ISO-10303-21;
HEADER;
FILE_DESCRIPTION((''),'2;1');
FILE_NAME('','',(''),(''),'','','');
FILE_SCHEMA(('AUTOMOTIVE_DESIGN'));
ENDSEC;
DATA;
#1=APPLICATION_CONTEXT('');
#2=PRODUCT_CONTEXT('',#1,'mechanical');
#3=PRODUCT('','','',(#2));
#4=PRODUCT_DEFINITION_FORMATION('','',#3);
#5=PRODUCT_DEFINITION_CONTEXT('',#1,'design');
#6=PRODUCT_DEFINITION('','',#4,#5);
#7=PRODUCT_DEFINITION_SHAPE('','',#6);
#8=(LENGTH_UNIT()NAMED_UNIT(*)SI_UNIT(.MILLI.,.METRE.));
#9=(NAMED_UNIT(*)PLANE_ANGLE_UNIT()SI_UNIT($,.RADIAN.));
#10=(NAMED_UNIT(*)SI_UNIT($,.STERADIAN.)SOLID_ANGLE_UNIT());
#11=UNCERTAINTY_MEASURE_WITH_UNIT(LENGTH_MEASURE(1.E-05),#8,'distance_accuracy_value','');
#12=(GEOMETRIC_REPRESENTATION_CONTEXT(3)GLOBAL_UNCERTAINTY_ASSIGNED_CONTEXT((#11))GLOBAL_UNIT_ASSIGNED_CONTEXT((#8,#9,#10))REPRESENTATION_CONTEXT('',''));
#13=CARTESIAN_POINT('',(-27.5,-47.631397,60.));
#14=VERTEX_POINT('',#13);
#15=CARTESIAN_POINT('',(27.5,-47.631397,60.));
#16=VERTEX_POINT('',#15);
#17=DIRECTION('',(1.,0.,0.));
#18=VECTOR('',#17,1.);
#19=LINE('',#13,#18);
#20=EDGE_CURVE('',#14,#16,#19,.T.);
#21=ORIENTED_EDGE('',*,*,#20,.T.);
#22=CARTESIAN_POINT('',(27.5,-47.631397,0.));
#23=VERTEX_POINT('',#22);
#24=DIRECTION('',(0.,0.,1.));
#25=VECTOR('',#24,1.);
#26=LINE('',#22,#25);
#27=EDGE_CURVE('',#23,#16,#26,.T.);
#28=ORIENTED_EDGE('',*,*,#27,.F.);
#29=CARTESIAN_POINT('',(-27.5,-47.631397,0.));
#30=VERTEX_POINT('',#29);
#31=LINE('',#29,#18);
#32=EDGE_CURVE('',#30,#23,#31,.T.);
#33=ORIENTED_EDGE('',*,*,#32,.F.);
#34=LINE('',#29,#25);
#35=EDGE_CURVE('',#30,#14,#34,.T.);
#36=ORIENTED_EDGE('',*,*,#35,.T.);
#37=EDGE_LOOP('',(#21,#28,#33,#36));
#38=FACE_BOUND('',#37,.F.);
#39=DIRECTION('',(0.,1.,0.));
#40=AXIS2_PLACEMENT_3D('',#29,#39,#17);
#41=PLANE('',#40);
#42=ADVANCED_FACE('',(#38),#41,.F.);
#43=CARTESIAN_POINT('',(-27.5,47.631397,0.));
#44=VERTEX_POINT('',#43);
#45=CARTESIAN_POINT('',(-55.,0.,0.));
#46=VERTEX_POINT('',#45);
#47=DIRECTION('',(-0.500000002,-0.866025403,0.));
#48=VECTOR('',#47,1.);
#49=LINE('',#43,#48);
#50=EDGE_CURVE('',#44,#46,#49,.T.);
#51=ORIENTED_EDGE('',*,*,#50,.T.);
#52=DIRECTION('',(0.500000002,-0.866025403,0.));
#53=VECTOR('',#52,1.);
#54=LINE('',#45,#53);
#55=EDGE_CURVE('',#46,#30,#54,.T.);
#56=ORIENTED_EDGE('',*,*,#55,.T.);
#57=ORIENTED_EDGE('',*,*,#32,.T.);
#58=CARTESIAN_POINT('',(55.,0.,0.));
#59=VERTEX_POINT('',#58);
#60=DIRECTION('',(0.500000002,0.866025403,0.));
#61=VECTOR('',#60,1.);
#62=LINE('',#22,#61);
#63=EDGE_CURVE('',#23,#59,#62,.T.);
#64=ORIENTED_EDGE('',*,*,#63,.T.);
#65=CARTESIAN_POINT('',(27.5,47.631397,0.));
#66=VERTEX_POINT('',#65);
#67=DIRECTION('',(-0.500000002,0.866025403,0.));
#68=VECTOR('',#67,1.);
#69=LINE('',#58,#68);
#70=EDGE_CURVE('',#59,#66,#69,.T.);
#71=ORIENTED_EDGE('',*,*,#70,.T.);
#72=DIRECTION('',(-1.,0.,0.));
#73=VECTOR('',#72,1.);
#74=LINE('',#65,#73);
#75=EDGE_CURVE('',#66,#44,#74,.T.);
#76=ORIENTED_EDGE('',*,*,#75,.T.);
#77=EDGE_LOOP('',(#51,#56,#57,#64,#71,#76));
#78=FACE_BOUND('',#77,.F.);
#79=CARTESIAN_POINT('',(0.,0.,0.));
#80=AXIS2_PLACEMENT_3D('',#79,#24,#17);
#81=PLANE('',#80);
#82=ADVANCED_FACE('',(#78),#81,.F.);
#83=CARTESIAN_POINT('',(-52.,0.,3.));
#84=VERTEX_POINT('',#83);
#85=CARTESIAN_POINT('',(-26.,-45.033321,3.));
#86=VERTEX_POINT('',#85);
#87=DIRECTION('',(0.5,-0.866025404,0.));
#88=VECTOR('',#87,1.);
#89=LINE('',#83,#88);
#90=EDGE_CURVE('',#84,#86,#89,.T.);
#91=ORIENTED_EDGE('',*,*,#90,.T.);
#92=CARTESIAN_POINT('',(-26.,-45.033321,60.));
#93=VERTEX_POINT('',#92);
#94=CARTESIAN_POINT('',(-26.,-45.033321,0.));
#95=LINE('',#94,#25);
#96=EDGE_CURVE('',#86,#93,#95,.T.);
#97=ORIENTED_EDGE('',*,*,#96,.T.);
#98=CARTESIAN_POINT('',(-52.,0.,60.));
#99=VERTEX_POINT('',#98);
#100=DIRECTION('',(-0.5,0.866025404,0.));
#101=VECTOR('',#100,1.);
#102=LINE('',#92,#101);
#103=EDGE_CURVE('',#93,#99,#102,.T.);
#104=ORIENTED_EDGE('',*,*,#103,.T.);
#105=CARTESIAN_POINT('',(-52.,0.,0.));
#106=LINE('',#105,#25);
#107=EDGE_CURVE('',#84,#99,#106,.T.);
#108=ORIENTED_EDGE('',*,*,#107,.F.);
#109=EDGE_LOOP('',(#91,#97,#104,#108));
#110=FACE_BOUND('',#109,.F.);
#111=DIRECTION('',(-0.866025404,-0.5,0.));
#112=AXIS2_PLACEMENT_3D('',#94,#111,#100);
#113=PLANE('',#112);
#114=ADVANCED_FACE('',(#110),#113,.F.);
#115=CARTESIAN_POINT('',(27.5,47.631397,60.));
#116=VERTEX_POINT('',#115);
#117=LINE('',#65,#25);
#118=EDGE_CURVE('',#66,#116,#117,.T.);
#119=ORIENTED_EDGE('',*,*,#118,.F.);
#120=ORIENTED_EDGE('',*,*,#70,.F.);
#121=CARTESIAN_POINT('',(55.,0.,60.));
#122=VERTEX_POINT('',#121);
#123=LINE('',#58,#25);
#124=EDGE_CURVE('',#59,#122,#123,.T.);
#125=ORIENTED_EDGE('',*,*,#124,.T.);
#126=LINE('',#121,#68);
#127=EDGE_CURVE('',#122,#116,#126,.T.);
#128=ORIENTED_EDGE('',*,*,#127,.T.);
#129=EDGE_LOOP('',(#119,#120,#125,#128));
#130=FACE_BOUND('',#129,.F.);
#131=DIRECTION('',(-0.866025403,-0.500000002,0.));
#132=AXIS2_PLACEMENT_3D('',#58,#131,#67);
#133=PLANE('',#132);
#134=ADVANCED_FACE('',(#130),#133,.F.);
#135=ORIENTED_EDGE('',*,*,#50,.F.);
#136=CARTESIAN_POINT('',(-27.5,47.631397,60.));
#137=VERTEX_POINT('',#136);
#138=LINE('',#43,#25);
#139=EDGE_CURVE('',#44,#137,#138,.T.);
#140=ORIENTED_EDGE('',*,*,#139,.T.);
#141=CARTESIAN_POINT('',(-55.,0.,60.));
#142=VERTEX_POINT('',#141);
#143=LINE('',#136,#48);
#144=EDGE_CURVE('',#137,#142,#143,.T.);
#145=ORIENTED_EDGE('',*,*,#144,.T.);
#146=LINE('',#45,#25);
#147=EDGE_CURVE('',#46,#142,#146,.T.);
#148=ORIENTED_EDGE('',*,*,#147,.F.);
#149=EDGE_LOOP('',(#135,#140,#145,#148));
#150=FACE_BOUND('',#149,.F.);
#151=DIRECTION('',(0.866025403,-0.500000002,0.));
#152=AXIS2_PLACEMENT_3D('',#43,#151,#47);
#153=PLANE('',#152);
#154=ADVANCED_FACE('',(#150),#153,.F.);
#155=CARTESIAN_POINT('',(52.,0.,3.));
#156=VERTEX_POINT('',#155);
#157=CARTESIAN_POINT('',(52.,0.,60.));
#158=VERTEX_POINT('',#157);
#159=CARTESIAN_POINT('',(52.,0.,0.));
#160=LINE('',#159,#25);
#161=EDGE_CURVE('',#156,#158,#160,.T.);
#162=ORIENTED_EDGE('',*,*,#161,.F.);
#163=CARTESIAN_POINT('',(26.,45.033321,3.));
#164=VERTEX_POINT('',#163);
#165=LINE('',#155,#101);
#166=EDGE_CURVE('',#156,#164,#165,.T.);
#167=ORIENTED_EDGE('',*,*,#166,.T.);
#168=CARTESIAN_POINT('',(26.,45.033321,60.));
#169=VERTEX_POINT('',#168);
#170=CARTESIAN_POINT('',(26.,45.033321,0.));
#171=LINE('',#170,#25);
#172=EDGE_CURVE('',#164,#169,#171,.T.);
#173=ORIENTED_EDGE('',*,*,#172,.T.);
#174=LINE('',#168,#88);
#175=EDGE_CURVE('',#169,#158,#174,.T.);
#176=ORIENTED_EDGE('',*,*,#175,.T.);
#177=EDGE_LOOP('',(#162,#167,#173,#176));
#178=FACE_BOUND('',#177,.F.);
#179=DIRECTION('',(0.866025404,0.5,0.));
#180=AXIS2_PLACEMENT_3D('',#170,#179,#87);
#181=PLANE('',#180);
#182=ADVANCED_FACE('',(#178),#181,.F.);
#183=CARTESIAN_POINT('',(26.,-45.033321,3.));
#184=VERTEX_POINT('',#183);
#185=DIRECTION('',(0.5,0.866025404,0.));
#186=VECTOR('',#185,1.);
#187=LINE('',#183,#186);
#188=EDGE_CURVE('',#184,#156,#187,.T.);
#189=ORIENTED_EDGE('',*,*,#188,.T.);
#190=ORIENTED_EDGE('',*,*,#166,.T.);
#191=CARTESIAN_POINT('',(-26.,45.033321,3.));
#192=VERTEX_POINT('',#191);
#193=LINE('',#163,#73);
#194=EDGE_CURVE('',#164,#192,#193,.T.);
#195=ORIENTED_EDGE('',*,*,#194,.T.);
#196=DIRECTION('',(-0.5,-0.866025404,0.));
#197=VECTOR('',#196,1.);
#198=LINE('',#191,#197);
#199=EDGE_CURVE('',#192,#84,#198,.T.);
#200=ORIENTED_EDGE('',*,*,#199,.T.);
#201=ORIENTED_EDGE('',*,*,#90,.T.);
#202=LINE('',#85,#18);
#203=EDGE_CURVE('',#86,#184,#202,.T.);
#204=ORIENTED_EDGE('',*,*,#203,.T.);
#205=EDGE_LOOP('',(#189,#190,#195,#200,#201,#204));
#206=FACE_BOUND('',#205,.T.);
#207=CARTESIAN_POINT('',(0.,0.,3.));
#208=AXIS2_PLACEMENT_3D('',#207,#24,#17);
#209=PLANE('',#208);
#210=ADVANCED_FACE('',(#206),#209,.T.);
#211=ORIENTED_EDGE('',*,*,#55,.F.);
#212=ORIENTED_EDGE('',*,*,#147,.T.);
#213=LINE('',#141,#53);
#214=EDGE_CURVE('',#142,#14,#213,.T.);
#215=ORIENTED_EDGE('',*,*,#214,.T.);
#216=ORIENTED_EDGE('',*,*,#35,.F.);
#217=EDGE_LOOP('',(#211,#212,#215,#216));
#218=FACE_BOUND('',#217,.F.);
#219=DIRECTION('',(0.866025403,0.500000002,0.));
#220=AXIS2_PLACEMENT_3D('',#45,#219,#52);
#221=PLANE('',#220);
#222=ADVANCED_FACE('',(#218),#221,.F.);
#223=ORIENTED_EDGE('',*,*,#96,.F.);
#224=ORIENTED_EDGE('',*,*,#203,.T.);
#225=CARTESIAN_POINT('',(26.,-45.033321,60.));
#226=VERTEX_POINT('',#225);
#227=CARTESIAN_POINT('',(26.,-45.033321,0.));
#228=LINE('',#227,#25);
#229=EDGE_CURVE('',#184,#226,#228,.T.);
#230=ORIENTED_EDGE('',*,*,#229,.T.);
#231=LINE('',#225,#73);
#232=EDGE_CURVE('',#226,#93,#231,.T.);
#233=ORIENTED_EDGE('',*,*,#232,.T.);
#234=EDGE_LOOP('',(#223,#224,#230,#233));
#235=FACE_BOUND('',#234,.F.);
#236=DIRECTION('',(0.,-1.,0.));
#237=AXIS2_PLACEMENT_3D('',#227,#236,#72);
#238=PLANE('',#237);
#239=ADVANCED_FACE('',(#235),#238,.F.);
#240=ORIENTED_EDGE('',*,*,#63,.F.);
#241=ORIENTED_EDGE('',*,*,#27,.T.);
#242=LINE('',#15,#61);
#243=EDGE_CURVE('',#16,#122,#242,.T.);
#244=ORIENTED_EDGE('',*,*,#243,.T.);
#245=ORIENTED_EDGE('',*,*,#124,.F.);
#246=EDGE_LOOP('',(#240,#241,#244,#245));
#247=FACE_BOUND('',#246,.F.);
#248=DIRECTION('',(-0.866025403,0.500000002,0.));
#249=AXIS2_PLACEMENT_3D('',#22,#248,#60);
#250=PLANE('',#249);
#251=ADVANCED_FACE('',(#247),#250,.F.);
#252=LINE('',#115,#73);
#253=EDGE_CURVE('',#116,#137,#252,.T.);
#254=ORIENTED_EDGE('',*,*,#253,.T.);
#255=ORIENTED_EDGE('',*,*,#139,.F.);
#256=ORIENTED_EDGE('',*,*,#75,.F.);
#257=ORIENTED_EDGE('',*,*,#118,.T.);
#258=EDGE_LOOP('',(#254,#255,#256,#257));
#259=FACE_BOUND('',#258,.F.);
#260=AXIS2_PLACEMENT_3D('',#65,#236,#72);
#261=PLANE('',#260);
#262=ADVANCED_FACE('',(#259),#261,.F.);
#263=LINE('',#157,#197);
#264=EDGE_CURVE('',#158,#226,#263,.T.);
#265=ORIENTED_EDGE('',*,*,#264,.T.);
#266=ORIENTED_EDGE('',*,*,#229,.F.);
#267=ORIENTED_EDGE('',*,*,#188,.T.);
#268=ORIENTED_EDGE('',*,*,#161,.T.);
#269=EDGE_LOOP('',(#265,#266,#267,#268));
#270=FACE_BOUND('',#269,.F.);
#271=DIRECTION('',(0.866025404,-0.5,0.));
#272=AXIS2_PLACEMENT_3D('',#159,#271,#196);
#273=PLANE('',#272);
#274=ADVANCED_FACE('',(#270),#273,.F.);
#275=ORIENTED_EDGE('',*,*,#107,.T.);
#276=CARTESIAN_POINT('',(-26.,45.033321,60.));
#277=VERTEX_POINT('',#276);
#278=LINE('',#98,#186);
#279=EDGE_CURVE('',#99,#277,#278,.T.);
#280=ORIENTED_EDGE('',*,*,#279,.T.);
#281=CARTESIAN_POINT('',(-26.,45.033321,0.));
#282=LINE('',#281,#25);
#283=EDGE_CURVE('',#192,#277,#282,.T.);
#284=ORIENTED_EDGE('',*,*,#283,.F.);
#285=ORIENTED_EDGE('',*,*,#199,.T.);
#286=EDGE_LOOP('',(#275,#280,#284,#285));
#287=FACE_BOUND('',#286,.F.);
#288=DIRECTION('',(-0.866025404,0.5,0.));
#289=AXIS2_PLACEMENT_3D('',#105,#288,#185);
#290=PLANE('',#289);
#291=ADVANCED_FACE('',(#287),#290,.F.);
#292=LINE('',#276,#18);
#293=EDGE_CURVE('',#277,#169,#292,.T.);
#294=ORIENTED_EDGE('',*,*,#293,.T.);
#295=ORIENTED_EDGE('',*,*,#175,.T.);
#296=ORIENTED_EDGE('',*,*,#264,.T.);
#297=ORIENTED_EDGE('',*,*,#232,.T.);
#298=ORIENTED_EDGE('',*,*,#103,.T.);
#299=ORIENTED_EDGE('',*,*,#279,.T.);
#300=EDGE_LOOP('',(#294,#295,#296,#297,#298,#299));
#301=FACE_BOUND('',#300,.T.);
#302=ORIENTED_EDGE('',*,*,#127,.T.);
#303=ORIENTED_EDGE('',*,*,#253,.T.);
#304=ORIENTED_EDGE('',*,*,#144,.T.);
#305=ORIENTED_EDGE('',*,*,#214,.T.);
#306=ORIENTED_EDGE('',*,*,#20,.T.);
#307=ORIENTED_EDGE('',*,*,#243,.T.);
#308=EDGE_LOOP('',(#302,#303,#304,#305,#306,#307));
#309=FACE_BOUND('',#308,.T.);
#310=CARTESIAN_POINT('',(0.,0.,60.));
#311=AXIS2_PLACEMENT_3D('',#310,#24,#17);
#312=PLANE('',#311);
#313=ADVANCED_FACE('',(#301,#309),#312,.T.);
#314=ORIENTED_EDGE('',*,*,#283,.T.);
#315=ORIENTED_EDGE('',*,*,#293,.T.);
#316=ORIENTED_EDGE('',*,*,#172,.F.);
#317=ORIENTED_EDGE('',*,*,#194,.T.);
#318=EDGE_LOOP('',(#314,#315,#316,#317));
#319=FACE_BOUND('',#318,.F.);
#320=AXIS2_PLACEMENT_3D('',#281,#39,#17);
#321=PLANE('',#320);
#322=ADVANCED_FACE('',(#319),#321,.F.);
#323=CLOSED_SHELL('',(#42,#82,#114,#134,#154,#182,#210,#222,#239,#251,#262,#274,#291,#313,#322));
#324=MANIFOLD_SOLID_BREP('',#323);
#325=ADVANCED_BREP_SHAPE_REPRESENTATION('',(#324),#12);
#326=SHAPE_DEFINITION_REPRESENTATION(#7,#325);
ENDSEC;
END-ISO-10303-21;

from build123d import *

# Parameters (mm, degrees)
F1_DEPTH = 60
F2_DEPTH = 3


with BuildPart() as f1:
    # F0 (on Top) → F1 (new body)
    with BuildSketch(Plane.XY):
        Polygon((27.5, -47.631397), (55, 0), (27.5, 47.631397), (-27.5, 47.631397), (-55, 0), (-27.5, -47.631397), align=None)
        Polygon((26, 45.033321), (52, 0), (26, -45.033321), (-26, -45.033321), (-52, 0), (-26, 45.033321), align=None, mode=Mode.SUBTRACT)
    extrude(amount=F1_DEPTH)

    # F0 (on Top) → F2 (join)
    with BuildSketch(Plane.XY):
        Polygon((26, -45.033321), (52, 0), (26, 45.033321), (-26, 45.033321), (-52, 0), (-26, -45.033321), align=None)
    extrude(amount=F2_DEPTH)


solid = f1.part
